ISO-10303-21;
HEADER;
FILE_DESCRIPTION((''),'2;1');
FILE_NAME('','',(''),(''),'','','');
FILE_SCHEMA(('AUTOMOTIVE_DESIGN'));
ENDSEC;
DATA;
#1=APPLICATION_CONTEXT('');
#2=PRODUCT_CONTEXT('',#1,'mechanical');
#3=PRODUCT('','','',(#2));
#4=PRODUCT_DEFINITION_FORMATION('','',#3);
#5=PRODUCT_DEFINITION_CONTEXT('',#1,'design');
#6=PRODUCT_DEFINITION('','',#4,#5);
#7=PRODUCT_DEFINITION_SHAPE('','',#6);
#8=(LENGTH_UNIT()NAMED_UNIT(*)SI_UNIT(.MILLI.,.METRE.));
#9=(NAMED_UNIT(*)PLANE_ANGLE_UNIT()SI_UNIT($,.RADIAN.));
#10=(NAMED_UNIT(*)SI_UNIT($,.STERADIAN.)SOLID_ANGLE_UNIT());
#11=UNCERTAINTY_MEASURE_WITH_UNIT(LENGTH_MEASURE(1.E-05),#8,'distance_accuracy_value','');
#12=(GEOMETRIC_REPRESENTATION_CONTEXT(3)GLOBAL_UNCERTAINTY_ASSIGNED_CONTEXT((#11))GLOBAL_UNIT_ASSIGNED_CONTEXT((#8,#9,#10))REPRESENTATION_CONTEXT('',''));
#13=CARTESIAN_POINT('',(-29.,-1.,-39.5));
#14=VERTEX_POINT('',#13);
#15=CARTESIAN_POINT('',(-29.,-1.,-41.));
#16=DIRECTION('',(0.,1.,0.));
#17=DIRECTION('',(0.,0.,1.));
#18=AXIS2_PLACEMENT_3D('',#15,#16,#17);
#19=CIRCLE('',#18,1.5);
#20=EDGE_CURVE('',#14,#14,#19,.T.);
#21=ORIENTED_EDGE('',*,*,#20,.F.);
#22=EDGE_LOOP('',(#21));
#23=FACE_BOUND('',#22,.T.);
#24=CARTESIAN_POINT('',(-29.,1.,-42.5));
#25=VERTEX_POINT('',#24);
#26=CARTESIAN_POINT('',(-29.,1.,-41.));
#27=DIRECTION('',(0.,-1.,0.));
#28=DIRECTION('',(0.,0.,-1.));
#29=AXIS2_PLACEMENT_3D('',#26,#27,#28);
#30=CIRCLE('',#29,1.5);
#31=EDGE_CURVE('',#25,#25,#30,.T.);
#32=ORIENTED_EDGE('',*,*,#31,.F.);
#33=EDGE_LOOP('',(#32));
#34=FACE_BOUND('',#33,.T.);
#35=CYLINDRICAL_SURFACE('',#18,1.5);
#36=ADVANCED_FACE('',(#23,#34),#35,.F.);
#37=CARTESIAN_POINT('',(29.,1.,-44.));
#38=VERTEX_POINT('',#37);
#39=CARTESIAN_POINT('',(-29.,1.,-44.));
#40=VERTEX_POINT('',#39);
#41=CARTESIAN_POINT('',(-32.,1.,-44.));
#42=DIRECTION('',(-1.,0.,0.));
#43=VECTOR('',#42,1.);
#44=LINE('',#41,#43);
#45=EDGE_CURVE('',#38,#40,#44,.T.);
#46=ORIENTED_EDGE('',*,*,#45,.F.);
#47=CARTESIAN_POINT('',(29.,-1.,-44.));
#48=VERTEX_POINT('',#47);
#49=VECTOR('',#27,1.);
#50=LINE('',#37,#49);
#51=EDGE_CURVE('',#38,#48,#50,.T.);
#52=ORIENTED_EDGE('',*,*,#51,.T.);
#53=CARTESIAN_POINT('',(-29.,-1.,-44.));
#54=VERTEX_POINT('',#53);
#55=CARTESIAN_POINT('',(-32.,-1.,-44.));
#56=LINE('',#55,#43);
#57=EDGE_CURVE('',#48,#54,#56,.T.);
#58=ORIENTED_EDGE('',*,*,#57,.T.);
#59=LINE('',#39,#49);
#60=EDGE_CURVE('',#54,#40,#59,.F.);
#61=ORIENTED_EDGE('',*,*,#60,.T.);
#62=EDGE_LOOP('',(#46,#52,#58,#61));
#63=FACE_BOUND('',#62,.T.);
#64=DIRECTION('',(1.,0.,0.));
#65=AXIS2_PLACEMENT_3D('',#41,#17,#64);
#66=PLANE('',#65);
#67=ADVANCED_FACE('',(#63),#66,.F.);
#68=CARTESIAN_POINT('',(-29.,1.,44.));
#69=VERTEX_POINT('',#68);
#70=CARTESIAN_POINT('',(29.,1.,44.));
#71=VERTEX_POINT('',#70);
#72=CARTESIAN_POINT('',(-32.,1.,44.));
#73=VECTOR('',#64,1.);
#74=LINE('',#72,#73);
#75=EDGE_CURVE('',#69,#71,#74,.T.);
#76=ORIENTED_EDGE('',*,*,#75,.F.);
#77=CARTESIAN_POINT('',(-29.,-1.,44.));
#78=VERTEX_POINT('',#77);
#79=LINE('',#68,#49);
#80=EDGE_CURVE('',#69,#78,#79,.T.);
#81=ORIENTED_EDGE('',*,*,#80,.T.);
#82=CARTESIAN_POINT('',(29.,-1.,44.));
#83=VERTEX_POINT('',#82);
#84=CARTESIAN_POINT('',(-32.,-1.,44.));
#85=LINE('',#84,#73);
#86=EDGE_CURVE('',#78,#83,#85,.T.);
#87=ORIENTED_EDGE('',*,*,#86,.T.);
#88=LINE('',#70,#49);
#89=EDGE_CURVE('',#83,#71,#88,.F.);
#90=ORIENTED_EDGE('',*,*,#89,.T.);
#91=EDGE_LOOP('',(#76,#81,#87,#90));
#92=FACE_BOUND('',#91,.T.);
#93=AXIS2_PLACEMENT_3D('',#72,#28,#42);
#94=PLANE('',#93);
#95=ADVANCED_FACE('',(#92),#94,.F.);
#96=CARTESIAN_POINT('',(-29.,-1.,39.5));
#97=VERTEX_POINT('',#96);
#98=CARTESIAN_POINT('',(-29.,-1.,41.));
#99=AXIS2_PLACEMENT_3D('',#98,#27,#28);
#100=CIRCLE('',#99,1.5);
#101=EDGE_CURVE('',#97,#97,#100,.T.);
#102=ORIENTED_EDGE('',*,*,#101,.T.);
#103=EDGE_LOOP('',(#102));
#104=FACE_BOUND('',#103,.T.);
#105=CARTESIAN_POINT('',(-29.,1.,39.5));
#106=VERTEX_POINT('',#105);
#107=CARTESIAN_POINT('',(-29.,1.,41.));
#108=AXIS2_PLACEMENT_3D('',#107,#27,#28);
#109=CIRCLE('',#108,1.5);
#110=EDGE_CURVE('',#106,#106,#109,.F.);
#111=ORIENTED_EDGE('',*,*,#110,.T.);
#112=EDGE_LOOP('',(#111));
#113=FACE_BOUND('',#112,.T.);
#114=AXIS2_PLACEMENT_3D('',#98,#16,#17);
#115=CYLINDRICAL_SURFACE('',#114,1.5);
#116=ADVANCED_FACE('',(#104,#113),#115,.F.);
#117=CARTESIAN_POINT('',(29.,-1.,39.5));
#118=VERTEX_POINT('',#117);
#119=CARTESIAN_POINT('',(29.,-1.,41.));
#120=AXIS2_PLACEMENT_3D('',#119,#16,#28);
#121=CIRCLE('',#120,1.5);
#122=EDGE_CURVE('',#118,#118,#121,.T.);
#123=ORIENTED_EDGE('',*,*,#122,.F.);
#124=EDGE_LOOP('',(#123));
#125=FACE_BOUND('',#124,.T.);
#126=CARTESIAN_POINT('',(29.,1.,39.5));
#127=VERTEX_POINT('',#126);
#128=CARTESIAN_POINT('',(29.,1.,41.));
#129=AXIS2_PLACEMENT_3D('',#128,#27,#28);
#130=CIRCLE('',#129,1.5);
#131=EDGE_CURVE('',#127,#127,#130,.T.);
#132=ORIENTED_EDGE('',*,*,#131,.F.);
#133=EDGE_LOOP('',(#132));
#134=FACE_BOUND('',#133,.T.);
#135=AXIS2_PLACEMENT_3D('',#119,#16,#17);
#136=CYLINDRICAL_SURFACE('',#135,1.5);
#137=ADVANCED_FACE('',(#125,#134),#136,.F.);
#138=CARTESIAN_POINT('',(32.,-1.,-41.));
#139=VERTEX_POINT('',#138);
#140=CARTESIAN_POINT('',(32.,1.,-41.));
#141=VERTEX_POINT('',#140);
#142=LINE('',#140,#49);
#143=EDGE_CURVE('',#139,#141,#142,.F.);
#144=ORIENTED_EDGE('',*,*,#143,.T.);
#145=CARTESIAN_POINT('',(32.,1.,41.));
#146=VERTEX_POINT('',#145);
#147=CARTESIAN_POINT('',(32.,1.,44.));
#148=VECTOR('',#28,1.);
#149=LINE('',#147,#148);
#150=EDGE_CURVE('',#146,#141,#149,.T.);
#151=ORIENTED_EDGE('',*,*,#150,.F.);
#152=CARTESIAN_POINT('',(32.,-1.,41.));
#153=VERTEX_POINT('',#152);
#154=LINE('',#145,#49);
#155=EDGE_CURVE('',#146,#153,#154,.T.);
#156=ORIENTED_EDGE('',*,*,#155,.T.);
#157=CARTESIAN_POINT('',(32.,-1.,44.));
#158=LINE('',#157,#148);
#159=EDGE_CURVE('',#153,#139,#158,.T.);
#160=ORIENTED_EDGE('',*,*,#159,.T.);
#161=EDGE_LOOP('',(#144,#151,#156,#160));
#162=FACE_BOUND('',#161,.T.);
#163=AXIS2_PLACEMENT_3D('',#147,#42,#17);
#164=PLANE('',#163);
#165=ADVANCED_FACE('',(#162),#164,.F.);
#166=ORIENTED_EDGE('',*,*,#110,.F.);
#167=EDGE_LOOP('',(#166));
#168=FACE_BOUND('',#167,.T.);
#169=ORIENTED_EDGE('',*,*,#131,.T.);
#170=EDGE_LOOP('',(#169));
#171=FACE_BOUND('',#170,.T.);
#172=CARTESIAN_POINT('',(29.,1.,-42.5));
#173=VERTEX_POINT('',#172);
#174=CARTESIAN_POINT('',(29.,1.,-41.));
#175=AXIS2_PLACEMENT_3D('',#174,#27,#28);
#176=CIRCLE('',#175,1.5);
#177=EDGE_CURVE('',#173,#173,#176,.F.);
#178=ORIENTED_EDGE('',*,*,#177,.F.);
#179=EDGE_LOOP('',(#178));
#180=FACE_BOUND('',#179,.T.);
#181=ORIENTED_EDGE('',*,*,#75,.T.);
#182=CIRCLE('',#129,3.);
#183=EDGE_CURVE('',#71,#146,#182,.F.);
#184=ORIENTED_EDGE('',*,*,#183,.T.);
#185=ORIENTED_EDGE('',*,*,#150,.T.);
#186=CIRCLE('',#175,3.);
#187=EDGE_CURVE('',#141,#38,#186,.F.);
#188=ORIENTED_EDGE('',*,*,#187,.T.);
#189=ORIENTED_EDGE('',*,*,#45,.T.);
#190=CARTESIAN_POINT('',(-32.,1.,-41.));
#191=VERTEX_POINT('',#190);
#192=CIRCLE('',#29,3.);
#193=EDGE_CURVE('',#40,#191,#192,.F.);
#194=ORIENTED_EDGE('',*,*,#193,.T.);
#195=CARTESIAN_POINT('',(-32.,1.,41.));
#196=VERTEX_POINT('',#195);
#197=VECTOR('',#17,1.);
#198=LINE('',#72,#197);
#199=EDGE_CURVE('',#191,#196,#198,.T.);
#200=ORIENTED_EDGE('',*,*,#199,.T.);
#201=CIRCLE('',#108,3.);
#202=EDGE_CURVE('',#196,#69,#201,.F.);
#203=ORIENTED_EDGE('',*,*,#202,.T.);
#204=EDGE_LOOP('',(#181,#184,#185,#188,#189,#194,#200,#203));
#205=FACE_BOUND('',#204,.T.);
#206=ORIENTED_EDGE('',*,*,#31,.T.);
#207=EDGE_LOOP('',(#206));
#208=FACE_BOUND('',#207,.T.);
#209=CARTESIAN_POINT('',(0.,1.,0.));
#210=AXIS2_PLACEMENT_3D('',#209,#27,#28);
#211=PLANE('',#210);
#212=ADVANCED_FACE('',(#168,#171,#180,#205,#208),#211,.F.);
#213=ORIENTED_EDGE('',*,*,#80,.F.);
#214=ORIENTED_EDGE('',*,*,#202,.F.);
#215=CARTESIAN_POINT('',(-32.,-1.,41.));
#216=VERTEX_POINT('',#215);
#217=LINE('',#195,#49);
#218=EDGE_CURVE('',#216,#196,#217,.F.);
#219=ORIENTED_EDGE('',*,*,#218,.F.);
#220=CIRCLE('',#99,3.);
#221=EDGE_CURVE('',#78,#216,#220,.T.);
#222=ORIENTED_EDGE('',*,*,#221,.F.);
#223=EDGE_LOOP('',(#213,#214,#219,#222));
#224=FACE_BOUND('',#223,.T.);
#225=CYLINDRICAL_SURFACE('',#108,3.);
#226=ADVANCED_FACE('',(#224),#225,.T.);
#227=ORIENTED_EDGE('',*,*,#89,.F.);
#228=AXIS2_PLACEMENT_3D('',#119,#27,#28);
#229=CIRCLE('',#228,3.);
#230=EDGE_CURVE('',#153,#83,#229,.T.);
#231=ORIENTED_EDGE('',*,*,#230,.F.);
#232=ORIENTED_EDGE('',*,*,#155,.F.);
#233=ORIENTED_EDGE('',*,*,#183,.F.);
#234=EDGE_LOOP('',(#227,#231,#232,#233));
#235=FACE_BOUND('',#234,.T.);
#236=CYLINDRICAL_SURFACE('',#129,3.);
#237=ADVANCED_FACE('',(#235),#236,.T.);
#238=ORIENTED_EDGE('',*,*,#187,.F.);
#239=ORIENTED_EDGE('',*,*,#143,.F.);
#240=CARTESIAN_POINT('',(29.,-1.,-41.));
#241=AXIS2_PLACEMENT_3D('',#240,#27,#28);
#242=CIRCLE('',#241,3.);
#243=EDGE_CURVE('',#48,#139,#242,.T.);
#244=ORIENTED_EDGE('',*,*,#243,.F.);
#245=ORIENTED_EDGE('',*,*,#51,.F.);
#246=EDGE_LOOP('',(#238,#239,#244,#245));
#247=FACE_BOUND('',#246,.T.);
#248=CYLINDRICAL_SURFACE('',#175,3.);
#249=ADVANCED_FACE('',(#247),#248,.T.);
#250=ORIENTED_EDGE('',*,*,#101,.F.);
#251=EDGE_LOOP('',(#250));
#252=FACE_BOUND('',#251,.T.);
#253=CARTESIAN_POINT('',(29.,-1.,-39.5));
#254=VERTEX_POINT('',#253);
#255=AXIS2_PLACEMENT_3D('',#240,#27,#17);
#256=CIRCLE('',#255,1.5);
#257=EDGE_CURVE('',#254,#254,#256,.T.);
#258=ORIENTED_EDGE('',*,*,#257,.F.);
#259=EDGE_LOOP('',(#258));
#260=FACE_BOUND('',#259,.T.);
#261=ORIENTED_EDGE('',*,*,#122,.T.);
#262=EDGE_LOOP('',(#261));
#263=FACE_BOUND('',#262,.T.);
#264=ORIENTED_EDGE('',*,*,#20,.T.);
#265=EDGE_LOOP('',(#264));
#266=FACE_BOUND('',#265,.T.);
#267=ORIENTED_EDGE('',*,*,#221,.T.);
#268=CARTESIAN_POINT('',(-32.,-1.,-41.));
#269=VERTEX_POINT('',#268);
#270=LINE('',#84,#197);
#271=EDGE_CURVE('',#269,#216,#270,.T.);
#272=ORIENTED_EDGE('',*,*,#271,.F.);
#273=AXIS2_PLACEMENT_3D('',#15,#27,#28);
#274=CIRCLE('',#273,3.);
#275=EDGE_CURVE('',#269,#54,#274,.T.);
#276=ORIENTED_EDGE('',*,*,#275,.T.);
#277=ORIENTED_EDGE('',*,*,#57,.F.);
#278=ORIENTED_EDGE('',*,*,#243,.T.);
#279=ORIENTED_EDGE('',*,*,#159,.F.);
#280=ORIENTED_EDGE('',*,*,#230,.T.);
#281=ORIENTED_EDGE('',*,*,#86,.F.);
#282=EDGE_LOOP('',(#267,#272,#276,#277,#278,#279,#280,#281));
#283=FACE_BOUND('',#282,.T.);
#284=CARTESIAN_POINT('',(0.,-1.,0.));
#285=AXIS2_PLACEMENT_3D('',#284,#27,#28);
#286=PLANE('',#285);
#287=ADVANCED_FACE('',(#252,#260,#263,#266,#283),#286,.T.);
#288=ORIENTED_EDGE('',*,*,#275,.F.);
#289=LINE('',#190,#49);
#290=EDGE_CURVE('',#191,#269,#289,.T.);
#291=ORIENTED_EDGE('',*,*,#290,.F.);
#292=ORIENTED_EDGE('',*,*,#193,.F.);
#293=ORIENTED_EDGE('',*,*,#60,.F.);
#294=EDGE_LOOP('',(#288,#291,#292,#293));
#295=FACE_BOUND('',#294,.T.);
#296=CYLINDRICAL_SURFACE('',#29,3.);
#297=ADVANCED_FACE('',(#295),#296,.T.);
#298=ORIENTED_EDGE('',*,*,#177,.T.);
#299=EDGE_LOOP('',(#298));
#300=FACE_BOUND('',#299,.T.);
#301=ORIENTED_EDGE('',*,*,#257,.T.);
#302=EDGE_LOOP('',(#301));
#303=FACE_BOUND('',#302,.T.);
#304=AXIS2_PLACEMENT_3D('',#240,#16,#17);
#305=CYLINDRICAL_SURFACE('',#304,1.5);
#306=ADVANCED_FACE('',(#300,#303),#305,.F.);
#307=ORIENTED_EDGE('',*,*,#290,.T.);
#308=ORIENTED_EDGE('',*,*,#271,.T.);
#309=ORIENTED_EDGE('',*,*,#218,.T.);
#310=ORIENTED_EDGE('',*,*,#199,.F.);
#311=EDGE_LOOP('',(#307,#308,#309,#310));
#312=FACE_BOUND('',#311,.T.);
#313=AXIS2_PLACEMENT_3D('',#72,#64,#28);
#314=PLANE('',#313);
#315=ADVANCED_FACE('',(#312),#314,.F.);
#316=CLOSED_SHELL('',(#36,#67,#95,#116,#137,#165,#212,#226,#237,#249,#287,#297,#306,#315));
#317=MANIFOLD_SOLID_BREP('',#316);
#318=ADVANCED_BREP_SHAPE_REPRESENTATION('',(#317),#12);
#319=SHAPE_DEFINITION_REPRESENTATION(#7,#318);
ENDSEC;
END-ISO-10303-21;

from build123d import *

# Parameters (mm, degrees)
SKETCH1_W               = 64
SKETCH1_H               = 88
BOSS_EXTRUDE1_DEPTH     = 1
FILLET1_R               = 3
SKETCH2_R               = 1.5
CUT_EXTRUDE1_DEPTH      = 55.442630355
MIRROR2_COPY_1_SKETCH_R = 1.5
MIRROR2_COPY_1_DEPTH    = 55.442630355


with BuildPart() as part:
    # Sketch1 → Boss-Extrude1 (new, symmetric)
    with BuildSketch(Plane(origin=(0, 0, 0), x_dir=(1, 0, 0), z_dir=(0, 1, 0))):
        Rectangle(SKETCH1_W, SKETCH1_H)
    extrude(amount=BOSS_EXTRUDE1_DEPTH, both=True)

    # Fillet1
    fillet1_edges = [part.edges().sort_by_distance(p)[0] for p in [
        (32, 0, 44),
        (-32, 0, 44),
        (-32, 0, -44),
        (32, 0, -44),
    ]]
    fillet(fillet1_edges, radius=FILLET1_R)

    # Sketch2 → Cut-Extrude1 (cut, symmetric)
    with BuildSketch(Plane(origin=(0, 1, 0), x_dir=(1, 0, 0), z_dir=(0, 1, 0))):
        with Locations(Location((-29, 41, 0), (0, 0, 270))):
            Circle(SKETCH2_R)
    cut_extrude1 = extrude(amount=CUT_EXTRUDE1_DEPTH, both=True, mode=Mode.SUBTRACT)

    # Mirror1: Cut-Extrude1 across plane
    add(cut_extrude1.mirror(Plane(origin=(0, 0, 0), x_dir=(0, 0, 1), z_dir=(1, 0, 0))), mode=Mode.SUBTRACT)

    # Mirror2: Cut-Extrude1 across plane
    add(cut_extrude1.mirror(Plane.XY), mode=Mode.SUBTRACT)

    # Mirror2 copy 1 sketch → Mirror2 copy 1 (cut, symmetric)
    with BuildSketch(Plane(origin=(0, 1, 0), x_dir=(-1, 0, 0), z_dir=(0, 1, 0))):
        with Locations(Location((-29, 41, 0), (0, 0, 270))):
            Circle(MIRROR2_COPY_1_SKETCH_R)
    extrude(amount=MIRROR2_COPY_1_DEPTH, both=True, mode=Mode.SUBTRACT)


solid = part.part
